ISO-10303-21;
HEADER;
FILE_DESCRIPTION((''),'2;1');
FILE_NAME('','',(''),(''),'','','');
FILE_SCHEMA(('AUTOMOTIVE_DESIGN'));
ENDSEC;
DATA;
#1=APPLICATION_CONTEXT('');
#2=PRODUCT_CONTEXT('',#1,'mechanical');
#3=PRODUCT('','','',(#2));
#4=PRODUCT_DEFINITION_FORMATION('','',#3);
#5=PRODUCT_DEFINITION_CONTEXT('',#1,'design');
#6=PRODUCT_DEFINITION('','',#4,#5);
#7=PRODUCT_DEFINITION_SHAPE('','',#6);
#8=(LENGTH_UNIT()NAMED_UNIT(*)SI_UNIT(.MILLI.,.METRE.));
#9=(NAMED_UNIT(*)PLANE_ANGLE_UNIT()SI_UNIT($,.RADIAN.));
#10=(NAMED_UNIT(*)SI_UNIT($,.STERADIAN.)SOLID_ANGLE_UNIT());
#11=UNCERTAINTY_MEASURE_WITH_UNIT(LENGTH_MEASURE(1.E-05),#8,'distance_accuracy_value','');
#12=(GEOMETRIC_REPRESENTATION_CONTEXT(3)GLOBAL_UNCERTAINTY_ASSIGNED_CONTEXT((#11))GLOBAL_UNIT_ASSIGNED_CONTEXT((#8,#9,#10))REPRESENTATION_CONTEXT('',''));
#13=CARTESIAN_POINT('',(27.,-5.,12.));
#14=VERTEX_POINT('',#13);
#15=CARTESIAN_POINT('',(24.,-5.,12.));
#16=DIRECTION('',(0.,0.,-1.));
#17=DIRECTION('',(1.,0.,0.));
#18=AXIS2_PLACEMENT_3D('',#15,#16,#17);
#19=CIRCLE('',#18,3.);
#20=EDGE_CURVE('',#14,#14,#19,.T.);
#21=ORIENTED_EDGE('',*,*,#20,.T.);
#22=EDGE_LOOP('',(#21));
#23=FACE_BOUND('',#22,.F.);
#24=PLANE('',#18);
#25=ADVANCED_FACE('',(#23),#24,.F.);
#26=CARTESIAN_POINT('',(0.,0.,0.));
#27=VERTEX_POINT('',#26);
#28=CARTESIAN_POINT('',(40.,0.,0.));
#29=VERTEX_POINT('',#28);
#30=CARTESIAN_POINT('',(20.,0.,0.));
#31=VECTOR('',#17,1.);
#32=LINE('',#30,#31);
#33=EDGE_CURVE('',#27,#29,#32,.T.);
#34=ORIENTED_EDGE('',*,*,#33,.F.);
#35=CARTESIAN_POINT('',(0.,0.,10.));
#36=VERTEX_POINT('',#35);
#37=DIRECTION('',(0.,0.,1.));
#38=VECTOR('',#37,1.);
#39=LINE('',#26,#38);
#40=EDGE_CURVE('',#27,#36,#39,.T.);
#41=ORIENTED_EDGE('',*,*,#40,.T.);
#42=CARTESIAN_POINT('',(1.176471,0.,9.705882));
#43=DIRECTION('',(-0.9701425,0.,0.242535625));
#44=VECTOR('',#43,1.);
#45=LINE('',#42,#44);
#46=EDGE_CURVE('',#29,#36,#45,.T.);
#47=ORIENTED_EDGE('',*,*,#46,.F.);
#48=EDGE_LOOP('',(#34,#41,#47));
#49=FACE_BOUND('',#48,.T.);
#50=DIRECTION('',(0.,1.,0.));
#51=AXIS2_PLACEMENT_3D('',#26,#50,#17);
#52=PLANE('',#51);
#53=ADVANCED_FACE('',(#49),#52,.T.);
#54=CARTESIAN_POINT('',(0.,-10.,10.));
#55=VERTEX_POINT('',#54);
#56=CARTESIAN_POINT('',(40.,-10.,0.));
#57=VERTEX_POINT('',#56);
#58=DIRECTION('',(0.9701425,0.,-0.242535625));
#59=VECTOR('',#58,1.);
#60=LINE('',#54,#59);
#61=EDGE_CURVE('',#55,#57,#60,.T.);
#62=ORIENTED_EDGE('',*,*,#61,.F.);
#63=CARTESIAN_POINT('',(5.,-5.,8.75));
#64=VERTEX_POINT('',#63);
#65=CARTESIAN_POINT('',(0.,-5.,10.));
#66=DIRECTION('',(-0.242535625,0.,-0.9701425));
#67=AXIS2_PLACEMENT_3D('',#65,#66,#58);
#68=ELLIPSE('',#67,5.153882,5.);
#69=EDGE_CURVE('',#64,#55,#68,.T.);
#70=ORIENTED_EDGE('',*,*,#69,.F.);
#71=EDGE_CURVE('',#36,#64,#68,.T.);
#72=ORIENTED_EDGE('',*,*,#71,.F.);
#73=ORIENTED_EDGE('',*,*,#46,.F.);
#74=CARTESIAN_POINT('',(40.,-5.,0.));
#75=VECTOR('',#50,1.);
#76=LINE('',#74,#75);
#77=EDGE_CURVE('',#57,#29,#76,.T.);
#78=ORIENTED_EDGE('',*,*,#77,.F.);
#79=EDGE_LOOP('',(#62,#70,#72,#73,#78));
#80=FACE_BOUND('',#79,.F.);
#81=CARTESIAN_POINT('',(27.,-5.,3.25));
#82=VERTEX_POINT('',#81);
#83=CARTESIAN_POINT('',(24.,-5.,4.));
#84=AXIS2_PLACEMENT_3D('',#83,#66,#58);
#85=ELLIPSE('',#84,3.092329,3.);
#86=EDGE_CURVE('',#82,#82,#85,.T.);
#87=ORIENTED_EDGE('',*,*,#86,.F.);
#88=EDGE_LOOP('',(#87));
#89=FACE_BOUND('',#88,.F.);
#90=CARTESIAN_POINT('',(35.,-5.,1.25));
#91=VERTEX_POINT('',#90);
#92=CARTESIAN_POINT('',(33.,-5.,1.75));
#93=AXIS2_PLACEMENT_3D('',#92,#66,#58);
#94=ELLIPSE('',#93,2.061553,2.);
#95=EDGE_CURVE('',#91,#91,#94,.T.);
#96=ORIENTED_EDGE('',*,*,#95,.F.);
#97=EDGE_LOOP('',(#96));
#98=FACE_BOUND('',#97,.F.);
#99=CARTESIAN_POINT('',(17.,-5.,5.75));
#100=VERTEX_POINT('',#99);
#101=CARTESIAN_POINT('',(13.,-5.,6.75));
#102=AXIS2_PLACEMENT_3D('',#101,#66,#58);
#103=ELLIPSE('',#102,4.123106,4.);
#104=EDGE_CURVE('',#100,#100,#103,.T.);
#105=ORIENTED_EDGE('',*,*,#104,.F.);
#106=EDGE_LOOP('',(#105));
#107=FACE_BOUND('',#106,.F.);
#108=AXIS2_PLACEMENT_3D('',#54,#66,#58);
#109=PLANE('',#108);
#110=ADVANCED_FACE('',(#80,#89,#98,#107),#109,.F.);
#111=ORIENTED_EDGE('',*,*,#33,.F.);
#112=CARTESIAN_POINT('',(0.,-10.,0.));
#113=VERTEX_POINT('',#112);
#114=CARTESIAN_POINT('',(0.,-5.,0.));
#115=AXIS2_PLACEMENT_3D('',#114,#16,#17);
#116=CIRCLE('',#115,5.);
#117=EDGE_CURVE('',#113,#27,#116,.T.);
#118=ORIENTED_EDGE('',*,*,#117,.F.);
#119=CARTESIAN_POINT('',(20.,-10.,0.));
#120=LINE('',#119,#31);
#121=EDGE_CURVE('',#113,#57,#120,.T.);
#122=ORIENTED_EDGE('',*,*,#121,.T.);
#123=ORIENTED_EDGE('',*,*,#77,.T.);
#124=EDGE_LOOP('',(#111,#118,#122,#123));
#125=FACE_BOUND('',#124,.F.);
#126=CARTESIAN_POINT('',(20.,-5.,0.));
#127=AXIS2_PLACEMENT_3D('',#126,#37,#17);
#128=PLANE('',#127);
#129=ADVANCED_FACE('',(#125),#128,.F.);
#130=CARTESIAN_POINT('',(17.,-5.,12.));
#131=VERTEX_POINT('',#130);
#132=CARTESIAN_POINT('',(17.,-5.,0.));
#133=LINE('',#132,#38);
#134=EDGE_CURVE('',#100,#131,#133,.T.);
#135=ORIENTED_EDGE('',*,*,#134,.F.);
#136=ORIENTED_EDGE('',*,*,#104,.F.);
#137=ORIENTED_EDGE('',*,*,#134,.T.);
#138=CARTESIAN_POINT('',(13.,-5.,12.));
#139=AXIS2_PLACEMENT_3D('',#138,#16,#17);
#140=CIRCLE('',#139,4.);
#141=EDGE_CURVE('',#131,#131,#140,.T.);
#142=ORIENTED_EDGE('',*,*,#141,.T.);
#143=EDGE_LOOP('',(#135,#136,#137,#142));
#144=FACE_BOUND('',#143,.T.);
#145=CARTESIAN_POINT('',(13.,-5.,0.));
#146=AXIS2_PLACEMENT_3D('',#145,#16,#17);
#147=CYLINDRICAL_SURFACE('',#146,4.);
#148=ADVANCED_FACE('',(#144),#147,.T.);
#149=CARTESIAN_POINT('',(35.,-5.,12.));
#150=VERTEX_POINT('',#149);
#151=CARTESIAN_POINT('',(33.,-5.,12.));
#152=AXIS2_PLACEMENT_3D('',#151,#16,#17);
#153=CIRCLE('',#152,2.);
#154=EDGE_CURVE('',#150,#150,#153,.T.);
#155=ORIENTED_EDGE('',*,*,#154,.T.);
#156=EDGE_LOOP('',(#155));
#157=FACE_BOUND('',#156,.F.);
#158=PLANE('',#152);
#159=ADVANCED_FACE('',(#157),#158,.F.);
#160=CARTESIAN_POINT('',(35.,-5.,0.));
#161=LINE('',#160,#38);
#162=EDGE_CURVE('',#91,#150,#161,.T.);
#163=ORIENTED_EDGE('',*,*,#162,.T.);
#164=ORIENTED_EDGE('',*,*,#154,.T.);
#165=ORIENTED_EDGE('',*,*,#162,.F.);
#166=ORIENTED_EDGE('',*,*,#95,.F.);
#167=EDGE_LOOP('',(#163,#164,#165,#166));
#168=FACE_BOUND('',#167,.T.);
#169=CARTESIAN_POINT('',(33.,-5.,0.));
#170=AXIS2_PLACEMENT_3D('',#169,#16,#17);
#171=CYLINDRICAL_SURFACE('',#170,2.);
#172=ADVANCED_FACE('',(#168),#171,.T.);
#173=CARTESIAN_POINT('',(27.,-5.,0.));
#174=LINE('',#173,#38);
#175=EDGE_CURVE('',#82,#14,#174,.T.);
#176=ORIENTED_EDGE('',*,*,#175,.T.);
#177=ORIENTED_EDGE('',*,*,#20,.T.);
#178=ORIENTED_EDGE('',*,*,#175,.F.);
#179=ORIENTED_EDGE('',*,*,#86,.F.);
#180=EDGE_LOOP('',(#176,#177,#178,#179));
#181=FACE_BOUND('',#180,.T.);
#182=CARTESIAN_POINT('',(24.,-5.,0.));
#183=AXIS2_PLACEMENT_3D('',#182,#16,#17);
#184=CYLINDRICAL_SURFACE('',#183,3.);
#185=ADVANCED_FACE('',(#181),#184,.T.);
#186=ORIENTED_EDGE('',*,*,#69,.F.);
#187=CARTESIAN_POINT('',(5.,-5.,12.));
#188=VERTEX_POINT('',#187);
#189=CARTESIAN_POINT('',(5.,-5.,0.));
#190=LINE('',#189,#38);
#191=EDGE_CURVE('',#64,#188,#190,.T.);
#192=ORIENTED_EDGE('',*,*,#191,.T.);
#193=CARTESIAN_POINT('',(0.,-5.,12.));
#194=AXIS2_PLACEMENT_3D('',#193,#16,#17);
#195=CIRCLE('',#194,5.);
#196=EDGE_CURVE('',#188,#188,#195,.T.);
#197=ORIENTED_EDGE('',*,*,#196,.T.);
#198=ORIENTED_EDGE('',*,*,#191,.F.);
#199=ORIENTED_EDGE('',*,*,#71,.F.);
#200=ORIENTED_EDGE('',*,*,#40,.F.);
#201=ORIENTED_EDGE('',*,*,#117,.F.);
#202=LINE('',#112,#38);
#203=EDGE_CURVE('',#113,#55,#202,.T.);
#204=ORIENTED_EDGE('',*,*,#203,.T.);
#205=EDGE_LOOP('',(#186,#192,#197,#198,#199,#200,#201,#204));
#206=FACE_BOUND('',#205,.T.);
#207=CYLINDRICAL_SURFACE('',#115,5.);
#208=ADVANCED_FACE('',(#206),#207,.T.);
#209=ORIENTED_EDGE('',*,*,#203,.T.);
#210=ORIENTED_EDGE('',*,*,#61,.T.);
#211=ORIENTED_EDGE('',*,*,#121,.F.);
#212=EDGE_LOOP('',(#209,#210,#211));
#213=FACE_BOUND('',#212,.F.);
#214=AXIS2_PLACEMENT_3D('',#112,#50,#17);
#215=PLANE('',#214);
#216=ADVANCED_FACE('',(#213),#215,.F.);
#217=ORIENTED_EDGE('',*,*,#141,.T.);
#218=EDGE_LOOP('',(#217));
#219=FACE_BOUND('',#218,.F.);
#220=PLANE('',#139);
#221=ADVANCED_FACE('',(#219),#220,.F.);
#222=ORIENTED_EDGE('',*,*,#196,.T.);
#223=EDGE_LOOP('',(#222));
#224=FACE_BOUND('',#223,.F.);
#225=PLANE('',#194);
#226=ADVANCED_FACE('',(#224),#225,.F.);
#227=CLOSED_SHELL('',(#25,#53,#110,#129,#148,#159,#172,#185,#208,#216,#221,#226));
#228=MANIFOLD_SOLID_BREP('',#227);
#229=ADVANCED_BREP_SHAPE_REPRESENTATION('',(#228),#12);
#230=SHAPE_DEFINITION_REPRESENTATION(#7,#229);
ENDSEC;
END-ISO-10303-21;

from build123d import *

# Parameters (mm, degrees)
F0_W     = 40
F0_H     = 10
F1_DEPTH = 10
F3_DEPTH = 25
F4_R     = 5
F4_R_2   = 2
F4_R_3   = 4
F4_R_4   = 3
F5_DEPTH = 12


with BuildPart() as f1:
    # F0 (on Top) → F1 (new body)
    with BuildSketch(Plane.XY):
        with Locations((20, -5)):
            Rectangle(F0_W, F0_H)
    extrude(amount=F1_DEPTH)

    # F2 (on face) → F3 (cut)
    with BuildSketch(Plane.XZ.offset(10)):
        Polygon((40, 10), (0, 10), (40, 0), align=None)
    extrude(amount=-F3_DEPTH, mode=Mode.SUBTRACT)

    # F4 (on face) → F5 (join)
    with BuildSketch(Plane(origin=(0, 0, 0), x_dir=(1, 0, 0), z_dir=(0, 0, -1))):
        with Locations((0, 5)):
            Circle(F4_R)
        with Locations((33, 5)):
            Circle(F4_R_2)
        with Locations((13, 5)):
            Circle(F4_R_3)
        with Locations((24, 5)):
            Circle(F4_R_4)
    extrude(amount=-F5_DEPTH)


solid = f1.part
